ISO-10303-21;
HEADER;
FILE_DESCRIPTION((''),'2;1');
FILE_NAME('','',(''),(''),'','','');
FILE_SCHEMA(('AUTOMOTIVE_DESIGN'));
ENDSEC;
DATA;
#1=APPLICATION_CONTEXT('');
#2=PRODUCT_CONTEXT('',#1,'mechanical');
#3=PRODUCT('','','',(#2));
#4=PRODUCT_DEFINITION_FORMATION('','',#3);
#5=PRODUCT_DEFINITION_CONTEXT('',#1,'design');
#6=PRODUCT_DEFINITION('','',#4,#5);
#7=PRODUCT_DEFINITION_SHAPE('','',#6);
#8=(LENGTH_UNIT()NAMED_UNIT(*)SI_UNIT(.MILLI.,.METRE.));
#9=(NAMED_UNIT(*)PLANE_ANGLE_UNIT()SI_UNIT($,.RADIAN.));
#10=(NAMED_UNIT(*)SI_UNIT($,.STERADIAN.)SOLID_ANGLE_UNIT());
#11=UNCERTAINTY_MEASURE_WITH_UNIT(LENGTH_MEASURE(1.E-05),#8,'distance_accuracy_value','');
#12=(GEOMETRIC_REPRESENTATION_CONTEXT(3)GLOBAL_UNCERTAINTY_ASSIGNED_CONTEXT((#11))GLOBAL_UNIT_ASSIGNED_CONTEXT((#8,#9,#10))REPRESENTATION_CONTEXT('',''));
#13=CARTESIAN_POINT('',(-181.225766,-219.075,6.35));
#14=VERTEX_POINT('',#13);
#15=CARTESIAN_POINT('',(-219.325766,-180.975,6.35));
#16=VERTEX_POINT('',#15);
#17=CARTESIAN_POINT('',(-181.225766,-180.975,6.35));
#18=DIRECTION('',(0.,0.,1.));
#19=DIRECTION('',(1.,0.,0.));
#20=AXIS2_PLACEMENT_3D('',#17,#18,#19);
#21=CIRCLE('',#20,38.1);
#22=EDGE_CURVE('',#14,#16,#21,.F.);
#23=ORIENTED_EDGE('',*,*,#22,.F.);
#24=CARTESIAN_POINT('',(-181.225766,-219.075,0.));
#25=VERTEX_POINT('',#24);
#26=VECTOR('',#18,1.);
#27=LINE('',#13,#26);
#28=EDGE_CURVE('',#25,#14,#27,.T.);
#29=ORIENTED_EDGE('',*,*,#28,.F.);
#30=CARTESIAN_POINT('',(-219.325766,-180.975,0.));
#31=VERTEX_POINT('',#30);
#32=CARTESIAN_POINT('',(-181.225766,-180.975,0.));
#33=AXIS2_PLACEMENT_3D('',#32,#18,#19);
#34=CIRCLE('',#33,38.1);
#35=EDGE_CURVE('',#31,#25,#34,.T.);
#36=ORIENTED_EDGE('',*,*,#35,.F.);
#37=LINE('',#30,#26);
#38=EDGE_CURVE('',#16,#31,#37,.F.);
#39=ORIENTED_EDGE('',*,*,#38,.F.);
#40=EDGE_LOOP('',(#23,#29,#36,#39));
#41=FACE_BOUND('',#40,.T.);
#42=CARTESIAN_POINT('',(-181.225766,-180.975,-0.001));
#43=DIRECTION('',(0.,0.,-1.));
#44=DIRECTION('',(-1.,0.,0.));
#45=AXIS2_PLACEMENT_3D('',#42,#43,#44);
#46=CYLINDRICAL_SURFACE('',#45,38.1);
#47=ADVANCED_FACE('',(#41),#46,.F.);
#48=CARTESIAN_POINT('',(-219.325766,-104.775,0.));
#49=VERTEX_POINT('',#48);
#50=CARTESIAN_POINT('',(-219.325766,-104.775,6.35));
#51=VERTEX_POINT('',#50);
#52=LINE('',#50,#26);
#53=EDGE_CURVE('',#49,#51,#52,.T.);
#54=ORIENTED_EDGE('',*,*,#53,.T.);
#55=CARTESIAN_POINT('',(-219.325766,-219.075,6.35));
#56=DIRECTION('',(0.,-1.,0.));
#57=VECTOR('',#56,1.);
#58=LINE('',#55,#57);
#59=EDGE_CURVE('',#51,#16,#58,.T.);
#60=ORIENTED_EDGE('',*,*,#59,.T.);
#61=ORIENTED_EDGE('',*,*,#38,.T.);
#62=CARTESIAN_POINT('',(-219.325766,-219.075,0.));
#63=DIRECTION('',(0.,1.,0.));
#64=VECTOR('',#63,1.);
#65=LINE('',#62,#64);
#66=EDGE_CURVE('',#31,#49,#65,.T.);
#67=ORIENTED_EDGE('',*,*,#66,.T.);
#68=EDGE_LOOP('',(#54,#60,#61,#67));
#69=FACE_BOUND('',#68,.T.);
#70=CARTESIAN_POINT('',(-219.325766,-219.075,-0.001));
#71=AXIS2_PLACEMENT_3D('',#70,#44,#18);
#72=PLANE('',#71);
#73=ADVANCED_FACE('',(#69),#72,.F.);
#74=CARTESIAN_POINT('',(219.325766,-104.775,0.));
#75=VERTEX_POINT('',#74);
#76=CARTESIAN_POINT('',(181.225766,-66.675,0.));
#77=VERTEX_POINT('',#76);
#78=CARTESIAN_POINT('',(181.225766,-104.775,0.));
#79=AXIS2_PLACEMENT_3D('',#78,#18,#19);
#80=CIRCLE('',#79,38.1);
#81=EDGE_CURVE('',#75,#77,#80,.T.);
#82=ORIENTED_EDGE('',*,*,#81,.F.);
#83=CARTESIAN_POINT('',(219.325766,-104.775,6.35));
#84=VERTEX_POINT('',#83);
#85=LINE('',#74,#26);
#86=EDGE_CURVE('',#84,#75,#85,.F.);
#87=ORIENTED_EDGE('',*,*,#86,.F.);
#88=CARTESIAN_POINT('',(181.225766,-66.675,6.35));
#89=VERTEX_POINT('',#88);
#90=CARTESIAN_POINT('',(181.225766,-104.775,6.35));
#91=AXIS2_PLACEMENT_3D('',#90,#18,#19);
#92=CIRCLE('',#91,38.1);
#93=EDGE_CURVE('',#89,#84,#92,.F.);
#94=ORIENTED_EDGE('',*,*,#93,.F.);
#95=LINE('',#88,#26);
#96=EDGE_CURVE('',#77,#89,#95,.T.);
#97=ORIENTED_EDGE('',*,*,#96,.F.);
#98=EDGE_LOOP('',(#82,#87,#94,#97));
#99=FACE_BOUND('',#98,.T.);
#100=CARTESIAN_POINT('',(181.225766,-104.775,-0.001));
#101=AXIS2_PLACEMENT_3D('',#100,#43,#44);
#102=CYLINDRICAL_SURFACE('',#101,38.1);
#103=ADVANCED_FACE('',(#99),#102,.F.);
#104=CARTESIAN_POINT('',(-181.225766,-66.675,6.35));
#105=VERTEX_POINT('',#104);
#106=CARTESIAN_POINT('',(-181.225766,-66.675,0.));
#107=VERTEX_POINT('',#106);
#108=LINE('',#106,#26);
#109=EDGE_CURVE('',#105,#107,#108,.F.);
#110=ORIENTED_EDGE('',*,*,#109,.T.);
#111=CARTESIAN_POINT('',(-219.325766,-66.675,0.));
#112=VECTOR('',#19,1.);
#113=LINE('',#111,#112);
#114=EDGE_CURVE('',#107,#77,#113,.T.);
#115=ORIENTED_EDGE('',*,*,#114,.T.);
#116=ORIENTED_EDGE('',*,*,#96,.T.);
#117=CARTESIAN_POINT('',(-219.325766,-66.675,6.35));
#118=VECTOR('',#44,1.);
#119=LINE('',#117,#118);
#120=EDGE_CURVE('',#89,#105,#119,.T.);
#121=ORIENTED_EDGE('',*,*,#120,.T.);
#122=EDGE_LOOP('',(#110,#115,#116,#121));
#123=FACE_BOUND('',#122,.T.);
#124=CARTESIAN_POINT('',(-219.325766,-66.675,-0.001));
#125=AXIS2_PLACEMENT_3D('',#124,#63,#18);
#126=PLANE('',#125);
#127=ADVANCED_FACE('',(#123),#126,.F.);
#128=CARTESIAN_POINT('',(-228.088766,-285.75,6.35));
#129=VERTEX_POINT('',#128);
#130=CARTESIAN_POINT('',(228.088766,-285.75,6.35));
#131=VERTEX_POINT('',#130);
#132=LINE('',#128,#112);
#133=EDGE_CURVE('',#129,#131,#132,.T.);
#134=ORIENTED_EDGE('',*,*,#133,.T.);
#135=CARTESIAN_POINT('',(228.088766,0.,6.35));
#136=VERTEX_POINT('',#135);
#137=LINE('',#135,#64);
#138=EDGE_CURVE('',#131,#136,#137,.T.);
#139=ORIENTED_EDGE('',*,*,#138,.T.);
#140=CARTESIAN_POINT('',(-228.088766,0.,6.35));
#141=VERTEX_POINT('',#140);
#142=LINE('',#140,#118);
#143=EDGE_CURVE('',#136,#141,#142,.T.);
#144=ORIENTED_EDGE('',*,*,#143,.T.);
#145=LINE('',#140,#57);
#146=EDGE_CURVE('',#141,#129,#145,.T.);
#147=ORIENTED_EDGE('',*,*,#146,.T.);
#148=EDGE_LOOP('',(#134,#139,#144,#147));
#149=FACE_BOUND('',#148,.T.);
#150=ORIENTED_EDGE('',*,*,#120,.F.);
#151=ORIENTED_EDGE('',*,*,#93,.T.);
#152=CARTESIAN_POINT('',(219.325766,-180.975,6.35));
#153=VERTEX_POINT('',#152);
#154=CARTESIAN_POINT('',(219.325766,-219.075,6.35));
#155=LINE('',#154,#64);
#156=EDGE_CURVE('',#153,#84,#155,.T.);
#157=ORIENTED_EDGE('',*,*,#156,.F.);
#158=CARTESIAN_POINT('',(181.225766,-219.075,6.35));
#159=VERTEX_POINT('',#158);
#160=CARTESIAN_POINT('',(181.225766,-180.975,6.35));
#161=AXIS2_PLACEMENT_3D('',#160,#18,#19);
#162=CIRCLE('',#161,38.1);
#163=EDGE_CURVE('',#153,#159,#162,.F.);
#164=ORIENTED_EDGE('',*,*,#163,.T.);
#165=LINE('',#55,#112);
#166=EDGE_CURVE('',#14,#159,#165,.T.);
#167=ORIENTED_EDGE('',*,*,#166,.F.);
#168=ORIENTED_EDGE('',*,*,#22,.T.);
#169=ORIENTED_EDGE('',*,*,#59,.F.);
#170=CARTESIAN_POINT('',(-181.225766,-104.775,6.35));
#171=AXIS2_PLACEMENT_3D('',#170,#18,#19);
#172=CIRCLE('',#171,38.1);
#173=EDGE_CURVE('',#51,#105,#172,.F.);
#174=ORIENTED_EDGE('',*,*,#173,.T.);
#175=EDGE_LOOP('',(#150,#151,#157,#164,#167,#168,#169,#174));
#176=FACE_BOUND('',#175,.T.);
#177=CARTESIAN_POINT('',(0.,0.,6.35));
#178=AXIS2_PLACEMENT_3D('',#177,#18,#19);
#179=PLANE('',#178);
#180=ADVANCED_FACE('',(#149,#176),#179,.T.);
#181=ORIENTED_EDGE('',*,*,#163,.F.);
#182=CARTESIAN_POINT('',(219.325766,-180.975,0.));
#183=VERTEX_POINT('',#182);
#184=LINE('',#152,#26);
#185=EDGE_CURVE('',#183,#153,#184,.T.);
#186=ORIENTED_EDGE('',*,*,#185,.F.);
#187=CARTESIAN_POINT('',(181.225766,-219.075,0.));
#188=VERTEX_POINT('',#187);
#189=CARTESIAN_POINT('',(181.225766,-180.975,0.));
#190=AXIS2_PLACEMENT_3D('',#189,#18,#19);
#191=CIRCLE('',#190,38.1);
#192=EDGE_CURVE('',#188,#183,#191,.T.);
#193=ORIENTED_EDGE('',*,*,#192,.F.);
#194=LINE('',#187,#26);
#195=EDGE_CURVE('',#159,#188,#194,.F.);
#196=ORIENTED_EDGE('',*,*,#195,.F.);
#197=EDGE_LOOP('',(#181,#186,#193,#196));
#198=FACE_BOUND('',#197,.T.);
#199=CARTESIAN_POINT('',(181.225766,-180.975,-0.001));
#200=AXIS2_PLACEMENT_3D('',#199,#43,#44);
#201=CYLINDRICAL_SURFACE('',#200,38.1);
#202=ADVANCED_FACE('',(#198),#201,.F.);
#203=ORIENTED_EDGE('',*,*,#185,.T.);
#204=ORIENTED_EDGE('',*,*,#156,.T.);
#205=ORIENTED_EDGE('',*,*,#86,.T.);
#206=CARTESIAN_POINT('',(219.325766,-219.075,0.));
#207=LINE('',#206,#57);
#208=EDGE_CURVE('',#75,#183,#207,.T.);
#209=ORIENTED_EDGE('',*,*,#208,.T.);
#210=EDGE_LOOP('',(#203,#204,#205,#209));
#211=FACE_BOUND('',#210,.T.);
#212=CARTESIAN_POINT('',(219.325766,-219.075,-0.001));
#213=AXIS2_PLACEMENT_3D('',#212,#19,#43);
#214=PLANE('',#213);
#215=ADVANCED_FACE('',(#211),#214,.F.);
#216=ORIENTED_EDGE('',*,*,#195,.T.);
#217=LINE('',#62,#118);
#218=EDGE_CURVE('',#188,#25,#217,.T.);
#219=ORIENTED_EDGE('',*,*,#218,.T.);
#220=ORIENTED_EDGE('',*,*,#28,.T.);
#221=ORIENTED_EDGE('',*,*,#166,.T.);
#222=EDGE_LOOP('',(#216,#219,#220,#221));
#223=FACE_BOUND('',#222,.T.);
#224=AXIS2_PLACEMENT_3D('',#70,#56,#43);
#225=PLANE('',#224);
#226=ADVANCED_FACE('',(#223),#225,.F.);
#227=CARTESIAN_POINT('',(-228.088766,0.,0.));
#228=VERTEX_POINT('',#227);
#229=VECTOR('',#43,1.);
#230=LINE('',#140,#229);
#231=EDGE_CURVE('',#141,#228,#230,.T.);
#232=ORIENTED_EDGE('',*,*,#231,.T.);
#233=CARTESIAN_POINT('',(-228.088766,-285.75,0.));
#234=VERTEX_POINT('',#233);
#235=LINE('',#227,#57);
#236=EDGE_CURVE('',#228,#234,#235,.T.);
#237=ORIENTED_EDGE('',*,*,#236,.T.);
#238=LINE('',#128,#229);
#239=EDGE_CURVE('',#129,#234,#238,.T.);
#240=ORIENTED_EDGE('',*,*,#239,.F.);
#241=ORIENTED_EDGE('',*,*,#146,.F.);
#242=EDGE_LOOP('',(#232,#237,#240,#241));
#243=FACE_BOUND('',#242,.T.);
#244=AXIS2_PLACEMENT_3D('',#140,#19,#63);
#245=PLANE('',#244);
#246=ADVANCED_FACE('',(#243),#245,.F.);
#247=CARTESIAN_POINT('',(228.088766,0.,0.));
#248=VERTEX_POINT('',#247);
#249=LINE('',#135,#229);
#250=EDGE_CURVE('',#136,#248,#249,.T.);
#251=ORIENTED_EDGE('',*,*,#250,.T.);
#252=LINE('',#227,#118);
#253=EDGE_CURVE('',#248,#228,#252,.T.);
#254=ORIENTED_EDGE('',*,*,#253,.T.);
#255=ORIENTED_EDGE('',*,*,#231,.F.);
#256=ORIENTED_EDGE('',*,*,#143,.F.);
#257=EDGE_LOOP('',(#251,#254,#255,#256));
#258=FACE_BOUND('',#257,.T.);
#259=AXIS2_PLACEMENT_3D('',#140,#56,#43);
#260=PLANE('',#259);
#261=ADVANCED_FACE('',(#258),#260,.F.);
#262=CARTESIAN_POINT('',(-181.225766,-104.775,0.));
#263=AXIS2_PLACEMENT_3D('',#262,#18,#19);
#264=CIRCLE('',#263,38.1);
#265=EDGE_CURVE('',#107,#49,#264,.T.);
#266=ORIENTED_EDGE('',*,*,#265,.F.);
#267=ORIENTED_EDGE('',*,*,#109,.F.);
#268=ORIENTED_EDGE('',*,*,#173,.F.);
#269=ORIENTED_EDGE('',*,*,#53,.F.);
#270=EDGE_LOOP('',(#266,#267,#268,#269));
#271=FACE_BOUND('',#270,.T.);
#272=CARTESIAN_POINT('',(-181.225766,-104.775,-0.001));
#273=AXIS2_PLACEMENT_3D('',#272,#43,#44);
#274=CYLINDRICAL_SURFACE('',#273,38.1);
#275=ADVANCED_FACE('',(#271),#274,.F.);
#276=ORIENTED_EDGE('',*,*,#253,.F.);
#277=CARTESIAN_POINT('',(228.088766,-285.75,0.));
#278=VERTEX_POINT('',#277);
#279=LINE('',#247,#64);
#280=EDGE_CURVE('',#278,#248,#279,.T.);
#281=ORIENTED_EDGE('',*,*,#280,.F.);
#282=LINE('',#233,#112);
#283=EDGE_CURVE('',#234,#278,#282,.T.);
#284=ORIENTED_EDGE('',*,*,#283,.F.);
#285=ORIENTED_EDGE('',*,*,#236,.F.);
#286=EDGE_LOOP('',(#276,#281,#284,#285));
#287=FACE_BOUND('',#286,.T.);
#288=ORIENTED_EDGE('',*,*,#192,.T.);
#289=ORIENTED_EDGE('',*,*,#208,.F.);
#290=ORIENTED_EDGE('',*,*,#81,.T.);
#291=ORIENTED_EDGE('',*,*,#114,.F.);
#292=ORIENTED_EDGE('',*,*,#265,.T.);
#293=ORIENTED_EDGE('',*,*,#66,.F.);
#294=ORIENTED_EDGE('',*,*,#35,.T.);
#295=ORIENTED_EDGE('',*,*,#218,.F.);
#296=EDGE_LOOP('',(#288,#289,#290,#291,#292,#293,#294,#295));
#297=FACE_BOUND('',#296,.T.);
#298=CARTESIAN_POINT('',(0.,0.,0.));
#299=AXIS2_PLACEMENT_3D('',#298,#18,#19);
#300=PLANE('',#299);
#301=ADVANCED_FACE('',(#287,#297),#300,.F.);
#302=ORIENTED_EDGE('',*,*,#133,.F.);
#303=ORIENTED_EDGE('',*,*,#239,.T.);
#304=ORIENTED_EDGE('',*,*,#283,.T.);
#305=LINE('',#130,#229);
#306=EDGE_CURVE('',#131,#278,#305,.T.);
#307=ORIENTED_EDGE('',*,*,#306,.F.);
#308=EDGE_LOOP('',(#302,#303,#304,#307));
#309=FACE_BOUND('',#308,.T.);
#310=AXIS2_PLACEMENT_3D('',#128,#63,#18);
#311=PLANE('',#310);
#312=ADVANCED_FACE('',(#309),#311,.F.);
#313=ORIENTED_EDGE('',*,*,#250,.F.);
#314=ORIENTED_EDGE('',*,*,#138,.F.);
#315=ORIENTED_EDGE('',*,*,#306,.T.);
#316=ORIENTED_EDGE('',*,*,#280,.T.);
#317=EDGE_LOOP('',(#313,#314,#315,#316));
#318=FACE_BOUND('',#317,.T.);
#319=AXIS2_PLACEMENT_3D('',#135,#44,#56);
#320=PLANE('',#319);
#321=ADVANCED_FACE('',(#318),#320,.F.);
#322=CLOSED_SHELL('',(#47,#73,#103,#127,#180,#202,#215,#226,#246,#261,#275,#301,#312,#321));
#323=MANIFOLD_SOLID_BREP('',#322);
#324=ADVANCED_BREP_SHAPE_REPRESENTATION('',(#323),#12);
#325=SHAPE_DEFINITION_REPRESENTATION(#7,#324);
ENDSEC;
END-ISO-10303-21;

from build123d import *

# Parameters (mm, degrees)
SKETCH1_W           = 456.177532672
SKETCH1_H           = 285.75
BOSS_EXTRUDE1_DEPTH = 6.35
CUT_EXTRUDE1_REACH  = 367.675
SKETCH2_W           = 438.651532672
SKETCH2_H           = 152.4
FILLET1_R           = 38.1


with BuildPart() as part:
    # Sketch1 → Boss-Extrude1 (new body)
    with BuildSketch(Plane.XY):
        with Locations((0, -142.875)):
            Rectangle(SKETCH1_W, SKETCH1_H)
    extrude(amount=BOSS_EXTRUDE1_DEPTH)

    # Sketch2 → Cut-Extrude1 (cut, up to next)
    with BuildSketch(Plane.XY.offset(6.35), mode=Mode.PRIVATE) as cut_extrude1_sk1:
        with Locations((0, -142.875)):
            Rectangle(SKETCH2_W, SKETCH2_H)
    cut_extrude1_tool1 = extrude(cut_extrude1_sk1.sketch, amount=-CUT_EXTRUDE1_REACH, mode=Mode.PRIVATE) & part.part
    add(cut_extrude1_tool1.solids().sort_by_distance((0, -142.875, 6.35))[0], mode=Mode.SUBTRACT)

    # Fillet1
    fillet1_edges = [part.edges().sort_by_distance(p)[0] for p in [
        (219.325766336, -66.675, 3.175),
        (219.325766336, -219.075, 3.175),
        (-219.325766336, -219.075, 3.175),
        (-219.325766336, -66.675, 3.175),
    ]]
    fillet(fillet1_edges, radius=FILLET1_R)


solid = part.part
